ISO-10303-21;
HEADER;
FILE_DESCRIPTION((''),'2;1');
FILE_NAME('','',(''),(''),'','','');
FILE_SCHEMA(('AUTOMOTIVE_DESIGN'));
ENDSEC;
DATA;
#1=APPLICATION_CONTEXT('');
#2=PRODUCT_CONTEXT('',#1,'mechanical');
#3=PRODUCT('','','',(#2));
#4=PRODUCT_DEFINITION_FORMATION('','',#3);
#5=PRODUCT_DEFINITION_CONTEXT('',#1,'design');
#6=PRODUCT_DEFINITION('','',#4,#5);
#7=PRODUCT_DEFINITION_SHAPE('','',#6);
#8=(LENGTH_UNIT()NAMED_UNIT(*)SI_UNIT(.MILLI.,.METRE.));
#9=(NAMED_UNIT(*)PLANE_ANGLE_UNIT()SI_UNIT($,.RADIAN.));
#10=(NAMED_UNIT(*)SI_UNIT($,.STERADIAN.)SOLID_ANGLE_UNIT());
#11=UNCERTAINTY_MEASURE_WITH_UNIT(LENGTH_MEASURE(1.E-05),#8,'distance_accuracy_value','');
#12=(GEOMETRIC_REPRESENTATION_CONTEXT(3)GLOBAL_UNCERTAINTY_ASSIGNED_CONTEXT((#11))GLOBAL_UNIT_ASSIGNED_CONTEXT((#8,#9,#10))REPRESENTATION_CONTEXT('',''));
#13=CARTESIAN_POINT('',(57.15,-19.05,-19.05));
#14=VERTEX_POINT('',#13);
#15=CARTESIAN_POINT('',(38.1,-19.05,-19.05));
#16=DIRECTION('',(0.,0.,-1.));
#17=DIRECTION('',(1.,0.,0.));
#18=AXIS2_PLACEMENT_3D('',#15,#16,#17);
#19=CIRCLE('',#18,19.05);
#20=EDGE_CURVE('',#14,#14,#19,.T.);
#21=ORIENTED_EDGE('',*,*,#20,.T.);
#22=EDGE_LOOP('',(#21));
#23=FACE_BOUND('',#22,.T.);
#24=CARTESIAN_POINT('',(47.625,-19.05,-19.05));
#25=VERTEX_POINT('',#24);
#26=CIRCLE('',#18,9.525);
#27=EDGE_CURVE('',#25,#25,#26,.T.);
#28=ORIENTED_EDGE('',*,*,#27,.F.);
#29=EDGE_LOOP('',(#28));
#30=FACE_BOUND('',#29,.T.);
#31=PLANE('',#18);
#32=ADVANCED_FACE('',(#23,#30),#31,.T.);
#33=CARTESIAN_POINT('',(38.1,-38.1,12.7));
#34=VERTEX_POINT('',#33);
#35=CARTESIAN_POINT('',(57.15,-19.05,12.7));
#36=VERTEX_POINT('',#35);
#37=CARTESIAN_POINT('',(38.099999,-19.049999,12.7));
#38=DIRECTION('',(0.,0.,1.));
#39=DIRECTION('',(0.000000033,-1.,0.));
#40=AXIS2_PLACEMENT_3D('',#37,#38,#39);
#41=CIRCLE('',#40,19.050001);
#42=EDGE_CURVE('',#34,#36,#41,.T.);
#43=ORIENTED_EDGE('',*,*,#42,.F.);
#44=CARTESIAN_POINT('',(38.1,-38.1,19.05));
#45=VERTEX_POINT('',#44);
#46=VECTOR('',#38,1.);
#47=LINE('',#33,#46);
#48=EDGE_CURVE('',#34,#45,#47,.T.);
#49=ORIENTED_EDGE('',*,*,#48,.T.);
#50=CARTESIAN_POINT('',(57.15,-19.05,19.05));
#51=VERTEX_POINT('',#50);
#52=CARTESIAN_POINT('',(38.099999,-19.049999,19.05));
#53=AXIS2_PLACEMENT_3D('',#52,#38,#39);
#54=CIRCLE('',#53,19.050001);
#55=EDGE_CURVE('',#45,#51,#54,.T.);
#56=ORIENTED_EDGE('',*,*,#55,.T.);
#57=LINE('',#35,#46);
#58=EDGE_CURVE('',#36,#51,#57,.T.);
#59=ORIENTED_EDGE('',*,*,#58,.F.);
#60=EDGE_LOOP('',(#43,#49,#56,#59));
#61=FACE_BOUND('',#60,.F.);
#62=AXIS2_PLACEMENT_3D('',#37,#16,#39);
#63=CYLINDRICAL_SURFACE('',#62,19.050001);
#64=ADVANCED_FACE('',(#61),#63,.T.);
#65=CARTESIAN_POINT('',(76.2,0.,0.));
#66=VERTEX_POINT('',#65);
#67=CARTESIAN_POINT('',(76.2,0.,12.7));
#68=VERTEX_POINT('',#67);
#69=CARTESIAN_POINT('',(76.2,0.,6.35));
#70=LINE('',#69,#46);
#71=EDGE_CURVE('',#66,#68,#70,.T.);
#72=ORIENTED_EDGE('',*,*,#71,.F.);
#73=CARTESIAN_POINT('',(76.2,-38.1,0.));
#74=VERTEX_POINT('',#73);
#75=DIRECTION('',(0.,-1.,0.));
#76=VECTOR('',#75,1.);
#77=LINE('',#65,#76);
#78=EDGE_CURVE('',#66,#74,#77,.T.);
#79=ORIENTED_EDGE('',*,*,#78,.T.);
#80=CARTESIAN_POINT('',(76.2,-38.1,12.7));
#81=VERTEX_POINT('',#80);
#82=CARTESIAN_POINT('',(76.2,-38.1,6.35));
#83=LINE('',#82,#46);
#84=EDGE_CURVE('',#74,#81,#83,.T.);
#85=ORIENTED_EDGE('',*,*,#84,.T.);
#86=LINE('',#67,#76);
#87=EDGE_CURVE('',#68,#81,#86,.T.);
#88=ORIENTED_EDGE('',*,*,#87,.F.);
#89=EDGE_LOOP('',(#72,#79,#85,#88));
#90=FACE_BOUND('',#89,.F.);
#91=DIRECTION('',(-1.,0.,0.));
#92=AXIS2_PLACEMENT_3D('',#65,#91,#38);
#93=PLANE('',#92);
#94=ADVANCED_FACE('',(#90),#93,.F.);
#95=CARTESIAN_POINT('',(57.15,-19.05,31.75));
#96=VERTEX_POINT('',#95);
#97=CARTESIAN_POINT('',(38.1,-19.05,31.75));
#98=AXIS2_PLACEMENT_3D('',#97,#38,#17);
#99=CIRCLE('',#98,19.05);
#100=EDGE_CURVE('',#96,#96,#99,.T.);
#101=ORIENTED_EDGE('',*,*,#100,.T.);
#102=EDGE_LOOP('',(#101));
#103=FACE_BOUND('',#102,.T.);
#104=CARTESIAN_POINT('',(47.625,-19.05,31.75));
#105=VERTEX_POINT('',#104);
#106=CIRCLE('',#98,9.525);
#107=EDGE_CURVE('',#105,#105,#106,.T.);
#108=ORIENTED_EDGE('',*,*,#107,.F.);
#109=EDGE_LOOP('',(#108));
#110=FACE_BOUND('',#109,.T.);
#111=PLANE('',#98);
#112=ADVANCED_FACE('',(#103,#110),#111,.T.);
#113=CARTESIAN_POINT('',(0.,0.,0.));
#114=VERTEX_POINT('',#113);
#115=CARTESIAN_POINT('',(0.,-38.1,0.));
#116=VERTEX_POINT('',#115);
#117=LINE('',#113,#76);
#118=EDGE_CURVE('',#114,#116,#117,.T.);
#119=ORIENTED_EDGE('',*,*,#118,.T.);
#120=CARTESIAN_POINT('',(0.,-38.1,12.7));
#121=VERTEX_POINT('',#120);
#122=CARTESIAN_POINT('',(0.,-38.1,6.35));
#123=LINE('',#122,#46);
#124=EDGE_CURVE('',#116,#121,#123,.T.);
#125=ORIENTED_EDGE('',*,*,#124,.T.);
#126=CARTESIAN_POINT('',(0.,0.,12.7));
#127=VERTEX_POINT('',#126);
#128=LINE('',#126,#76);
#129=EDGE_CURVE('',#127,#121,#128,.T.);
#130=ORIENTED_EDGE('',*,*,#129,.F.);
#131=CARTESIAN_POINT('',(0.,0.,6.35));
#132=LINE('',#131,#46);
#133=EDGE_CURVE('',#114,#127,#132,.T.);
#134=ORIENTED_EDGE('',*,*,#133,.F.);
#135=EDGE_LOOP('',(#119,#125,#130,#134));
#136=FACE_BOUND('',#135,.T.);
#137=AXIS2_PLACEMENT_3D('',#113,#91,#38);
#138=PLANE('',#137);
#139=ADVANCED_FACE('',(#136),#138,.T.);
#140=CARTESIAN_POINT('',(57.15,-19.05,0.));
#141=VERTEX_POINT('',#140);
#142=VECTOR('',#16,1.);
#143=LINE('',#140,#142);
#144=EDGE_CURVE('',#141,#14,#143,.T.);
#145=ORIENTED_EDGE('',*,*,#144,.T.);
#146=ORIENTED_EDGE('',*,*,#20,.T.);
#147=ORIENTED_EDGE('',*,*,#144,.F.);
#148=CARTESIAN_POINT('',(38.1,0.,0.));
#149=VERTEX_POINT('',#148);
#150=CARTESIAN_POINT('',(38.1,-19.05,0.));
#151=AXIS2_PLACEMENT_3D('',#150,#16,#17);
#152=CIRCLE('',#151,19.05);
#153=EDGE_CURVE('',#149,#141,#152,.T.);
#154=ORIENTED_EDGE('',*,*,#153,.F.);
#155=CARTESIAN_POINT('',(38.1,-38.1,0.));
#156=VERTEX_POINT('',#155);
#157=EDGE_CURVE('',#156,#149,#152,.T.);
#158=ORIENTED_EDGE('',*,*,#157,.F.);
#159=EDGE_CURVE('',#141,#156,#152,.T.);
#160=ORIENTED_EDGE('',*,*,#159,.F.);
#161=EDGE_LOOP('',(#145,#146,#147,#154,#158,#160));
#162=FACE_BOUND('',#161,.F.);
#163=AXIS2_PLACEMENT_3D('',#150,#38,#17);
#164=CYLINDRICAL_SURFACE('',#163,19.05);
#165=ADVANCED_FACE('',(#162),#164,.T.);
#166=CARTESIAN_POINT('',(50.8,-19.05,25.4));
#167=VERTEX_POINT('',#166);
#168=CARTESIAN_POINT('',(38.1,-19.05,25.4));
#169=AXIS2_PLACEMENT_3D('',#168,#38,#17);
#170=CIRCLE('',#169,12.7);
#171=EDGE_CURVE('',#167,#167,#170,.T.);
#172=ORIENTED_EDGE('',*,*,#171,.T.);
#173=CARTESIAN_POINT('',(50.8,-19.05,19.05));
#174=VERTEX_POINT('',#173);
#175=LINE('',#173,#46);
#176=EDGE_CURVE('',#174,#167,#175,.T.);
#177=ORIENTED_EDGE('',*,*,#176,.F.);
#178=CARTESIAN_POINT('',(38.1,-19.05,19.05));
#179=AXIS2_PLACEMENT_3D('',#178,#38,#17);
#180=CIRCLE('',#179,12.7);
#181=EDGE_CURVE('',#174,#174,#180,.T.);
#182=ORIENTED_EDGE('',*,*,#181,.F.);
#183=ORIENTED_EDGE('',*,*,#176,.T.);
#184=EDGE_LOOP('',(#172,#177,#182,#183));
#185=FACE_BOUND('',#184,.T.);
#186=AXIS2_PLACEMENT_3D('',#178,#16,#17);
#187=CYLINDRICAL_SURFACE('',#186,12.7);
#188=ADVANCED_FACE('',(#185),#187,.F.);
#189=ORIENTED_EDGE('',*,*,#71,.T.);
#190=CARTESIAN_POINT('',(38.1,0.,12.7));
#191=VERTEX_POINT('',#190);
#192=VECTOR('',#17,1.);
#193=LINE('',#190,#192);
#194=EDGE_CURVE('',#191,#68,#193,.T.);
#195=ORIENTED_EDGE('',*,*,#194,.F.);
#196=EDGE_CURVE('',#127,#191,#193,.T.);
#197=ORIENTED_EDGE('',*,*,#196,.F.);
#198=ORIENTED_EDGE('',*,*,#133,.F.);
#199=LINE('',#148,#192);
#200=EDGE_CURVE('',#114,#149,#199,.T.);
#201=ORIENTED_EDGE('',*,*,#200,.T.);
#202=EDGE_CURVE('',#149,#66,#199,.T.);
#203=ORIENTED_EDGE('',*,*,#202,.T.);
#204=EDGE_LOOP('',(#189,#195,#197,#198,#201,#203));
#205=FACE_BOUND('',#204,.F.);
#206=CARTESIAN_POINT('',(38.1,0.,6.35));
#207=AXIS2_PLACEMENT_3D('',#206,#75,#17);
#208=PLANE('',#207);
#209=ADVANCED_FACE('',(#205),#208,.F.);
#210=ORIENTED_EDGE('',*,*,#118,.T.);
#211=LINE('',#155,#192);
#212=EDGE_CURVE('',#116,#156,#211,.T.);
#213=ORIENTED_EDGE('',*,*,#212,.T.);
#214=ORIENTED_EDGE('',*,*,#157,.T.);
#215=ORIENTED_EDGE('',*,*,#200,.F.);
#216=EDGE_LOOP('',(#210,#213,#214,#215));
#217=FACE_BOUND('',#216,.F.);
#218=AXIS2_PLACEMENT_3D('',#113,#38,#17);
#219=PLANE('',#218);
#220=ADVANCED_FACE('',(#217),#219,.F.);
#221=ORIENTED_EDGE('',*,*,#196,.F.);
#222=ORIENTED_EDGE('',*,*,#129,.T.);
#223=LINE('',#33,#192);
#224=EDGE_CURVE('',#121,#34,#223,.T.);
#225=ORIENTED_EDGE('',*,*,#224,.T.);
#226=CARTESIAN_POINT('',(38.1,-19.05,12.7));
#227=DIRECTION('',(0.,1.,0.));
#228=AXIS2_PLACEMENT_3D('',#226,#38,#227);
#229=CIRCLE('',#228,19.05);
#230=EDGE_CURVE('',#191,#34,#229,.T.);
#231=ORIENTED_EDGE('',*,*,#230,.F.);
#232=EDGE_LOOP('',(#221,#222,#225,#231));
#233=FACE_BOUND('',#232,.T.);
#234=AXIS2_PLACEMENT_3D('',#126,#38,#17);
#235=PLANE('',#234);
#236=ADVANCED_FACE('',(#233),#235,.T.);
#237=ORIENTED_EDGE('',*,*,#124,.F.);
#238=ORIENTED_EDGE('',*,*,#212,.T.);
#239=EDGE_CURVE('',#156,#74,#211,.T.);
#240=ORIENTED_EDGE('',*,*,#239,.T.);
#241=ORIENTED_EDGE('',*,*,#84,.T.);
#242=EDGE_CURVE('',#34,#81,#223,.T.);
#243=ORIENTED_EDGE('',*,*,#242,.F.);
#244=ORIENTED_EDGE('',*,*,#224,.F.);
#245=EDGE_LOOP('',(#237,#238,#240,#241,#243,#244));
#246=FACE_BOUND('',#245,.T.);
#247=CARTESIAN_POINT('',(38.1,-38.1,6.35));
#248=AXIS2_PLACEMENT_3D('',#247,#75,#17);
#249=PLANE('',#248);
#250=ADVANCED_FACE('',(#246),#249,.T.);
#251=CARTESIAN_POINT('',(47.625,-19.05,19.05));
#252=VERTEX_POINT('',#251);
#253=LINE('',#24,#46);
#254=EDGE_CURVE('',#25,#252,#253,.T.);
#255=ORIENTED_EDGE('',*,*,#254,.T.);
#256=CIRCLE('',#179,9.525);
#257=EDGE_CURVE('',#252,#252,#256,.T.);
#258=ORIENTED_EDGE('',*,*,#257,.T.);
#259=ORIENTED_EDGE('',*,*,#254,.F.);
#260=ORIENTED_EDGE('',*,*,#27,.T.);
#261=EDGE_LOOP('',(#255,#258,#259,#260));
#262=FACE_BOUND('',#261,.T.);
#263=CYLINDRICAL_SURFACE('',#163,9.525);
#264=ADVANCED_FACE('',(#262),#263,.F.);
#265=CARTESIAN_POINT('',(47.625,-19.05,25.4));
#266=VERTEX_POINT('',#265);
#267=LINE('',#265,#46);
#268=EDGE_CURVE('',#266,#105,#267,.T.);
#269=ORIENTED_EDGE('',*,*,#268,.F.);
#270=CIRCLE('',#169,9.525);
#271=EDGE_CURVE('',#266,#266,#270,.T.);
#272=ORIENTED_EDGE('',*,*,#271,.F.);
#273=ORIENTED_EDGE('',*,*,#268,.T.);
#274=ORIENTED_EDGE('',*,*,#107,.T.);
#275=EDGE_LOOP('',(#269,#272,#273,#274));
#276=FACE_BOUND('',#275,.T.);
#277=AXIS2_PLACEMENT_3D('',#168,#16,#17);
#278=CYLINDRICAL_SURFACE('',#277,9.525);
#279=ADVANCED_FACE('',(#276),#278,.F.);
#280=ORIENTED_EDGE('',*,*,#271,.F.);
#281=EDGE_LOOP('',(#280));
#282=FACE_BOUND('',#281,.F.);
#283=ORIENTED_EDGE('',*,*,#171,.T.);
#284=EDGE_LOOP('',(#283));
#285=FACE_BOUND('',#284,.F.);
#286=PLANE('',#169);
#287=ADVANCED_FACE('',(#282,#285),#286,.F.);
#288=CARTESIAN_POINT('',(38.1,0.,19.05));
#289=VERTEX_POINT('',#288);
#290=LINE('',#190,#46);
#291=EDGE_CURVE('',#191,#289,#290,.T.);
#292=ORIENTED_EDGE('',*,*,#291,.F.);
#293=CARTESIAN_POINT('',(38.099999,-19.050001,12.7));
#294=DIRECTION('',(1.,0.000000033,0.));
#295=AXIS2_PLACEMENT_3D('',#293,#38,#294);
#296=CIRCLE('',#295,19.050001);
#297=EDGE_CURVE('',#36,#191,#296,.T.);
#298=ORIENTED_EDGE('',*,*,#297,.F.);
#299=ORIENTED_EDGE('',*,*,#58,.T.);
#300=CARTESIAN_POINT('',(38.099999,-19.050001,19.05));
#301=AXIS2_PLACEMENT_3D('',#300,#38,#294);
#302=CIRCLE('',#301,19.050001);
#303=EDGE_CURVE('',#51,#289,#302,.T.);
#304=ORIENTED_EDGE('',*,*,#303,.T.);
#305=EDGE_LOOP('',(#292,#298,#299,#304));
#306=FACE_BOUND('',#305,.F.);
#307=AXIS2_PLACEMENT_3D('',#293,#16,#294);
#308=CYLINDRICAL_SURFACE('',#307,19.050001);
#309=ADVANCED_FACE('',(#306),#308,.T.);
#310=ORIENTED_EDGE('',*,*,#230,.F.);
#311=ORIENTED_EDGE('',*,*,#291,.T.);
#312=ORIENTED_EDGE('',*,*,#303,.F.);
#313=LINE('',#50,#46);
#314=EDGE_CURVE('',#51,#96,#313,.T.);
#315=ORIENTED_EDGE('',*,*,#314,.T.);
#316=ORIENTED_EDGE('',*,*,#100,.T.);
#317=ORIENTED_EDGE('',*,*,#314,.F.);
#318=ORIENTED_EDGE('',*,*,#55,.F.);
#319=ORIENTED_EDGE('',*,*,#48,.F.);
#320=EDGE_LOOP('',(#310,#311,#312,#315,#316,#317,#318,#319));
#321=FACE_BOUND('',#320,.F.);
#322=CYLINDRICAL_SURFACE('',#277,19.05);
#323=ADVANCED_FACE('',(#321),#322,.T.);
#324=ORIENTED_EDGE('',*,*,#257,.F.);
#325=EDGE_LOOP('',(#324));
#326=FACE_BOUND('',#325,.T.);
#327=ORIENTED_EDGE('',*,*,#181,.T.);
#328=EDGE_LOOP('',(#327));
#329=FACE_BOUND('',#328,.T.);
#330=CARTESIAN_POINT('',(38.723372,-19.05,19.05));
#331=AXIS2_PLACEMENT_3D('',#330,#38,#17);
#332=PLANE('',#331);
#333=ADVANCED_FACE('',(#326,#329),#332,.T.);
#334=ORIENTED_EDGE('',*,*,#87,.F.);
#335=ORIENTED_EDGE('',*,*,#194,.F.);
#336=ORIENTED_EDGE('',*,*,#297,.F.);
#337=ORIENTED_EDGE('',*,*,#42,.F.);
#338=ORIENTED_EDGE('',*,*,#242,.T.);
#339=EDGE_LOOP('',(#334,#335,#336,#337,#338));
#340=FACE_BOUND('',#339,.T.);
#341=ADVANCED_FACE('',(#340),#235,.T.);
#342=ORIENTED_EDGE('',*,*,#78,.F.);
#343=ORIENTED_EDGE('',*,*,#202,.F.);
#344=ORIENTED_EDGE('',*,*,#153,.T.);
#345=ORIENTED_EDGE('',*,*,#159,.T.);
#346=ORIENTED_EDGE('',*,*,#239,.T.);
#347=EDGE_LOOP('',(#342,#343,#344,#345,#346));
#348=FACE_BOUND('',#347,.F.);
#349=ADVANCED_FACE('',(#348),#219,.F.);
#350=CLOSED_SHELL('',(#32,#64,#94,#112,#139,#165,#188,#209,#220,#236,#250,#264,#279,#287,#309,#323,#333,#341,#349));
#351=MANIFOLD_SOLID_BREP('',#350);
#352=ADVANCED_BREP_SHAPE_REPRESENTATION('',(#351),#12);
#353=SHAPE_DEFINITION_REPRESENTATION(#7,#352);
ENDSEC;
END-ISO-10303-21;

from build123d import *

# Parameters (mm, degrees)
F0_W      = 76.2
F0_H      = 12.7
F1_DEPTH  = 38.1
F2_R      = 9.525
F3_DEPTH  = 6.35
F3_FACE_R = 9.525
F4_DEPTH  = 12.701
F5_R      = 19.05
F5_R_2    = 9.525
F6_DEPTH  = 19.05
F7_R      = 19.05
F7_R_2    = 12.7
F8_DEPTH  = 6.35
F9_R      = 19.05
F9_R_2    = 9.525
F10_DEPTH = 6.35


with BuildPart() as f1:
    # F0 (on Front) → F1 (new body)
    with BuildSketch(Plane.XZ):
        with Locations((38.1, 6.35)):
            Rectangle(F0_W, F0_H)
    extrude(amount=F1_DEPTH)

    # F2 (on face) → F3 (join)
    with BuildSketch(Plane.XY.offset(12.7)):
        with BuildLine():
            ThreePointArc((38.1, -38.1), (51.570384, -32.520384), (57.15, -19.05))
            ThreePointArc((57.15, -19.05), (51.570384, -5.579616), (38.1, 0))
            ThreePointArc((38.1, 0), (19.05, -19.05), (38.1, -38.1))
        make_face()
        with Locations((38.1, -19.05)):
            Circle(F2_R, mode=Mode.SUBTRACT)
    extrude(amount=F3_DEPTH)

    # F3_face (on face) → F4 (cut, through all)
    with BuildSketch(Plane(origin=(38.1, -19.05, 12.7), x_dir=(1, 0, 0), z_dir=(0, 0, 1))):
        Circle(F3_FACE_R)
    extrude(amount=-F4_DEPTH, mode=Mode.SUBTRACT)

    # F5 (on face) → F6 (join)
    with BuildSketch(Plane(origin=(0, 0, 0), x_dir=(1, 0, 0), z_dir=(0, 0, -1))):
        with Locations((38.1, 19.05)):
            Circle(F5_R)
        with Locations((38.1, 19.05)):
            Circle(F5_R_2, mode=Mode.SUBTRACT)
    extrude(amount=F6_DEPTH)

    # F7 (on face) → F8 (join)
    with BuildSketch(Plane.XY.offset(19.05)):
        with Locations((38.1, -19.05)):
            Circle(F7_R)
        with Locations((38.1, -19.05)):
            Circle(F7_R_2, mode=Mode.SUBTRACT)
    extrude(amount=F8_DEPTH)

    # F9 (on face) → F10 (join)
    with BuildSketch(Plane.XY.offset(25.4)):
        with Locations((38.1, -19.05)):
            Circle(F9_R)
        with Locations((38.1, -19.05)):
            Circle(F9_R_2, mode=Mode.SUBTRACT)
    extrude(amount=F10_DEPTH)


solid = f1.part
